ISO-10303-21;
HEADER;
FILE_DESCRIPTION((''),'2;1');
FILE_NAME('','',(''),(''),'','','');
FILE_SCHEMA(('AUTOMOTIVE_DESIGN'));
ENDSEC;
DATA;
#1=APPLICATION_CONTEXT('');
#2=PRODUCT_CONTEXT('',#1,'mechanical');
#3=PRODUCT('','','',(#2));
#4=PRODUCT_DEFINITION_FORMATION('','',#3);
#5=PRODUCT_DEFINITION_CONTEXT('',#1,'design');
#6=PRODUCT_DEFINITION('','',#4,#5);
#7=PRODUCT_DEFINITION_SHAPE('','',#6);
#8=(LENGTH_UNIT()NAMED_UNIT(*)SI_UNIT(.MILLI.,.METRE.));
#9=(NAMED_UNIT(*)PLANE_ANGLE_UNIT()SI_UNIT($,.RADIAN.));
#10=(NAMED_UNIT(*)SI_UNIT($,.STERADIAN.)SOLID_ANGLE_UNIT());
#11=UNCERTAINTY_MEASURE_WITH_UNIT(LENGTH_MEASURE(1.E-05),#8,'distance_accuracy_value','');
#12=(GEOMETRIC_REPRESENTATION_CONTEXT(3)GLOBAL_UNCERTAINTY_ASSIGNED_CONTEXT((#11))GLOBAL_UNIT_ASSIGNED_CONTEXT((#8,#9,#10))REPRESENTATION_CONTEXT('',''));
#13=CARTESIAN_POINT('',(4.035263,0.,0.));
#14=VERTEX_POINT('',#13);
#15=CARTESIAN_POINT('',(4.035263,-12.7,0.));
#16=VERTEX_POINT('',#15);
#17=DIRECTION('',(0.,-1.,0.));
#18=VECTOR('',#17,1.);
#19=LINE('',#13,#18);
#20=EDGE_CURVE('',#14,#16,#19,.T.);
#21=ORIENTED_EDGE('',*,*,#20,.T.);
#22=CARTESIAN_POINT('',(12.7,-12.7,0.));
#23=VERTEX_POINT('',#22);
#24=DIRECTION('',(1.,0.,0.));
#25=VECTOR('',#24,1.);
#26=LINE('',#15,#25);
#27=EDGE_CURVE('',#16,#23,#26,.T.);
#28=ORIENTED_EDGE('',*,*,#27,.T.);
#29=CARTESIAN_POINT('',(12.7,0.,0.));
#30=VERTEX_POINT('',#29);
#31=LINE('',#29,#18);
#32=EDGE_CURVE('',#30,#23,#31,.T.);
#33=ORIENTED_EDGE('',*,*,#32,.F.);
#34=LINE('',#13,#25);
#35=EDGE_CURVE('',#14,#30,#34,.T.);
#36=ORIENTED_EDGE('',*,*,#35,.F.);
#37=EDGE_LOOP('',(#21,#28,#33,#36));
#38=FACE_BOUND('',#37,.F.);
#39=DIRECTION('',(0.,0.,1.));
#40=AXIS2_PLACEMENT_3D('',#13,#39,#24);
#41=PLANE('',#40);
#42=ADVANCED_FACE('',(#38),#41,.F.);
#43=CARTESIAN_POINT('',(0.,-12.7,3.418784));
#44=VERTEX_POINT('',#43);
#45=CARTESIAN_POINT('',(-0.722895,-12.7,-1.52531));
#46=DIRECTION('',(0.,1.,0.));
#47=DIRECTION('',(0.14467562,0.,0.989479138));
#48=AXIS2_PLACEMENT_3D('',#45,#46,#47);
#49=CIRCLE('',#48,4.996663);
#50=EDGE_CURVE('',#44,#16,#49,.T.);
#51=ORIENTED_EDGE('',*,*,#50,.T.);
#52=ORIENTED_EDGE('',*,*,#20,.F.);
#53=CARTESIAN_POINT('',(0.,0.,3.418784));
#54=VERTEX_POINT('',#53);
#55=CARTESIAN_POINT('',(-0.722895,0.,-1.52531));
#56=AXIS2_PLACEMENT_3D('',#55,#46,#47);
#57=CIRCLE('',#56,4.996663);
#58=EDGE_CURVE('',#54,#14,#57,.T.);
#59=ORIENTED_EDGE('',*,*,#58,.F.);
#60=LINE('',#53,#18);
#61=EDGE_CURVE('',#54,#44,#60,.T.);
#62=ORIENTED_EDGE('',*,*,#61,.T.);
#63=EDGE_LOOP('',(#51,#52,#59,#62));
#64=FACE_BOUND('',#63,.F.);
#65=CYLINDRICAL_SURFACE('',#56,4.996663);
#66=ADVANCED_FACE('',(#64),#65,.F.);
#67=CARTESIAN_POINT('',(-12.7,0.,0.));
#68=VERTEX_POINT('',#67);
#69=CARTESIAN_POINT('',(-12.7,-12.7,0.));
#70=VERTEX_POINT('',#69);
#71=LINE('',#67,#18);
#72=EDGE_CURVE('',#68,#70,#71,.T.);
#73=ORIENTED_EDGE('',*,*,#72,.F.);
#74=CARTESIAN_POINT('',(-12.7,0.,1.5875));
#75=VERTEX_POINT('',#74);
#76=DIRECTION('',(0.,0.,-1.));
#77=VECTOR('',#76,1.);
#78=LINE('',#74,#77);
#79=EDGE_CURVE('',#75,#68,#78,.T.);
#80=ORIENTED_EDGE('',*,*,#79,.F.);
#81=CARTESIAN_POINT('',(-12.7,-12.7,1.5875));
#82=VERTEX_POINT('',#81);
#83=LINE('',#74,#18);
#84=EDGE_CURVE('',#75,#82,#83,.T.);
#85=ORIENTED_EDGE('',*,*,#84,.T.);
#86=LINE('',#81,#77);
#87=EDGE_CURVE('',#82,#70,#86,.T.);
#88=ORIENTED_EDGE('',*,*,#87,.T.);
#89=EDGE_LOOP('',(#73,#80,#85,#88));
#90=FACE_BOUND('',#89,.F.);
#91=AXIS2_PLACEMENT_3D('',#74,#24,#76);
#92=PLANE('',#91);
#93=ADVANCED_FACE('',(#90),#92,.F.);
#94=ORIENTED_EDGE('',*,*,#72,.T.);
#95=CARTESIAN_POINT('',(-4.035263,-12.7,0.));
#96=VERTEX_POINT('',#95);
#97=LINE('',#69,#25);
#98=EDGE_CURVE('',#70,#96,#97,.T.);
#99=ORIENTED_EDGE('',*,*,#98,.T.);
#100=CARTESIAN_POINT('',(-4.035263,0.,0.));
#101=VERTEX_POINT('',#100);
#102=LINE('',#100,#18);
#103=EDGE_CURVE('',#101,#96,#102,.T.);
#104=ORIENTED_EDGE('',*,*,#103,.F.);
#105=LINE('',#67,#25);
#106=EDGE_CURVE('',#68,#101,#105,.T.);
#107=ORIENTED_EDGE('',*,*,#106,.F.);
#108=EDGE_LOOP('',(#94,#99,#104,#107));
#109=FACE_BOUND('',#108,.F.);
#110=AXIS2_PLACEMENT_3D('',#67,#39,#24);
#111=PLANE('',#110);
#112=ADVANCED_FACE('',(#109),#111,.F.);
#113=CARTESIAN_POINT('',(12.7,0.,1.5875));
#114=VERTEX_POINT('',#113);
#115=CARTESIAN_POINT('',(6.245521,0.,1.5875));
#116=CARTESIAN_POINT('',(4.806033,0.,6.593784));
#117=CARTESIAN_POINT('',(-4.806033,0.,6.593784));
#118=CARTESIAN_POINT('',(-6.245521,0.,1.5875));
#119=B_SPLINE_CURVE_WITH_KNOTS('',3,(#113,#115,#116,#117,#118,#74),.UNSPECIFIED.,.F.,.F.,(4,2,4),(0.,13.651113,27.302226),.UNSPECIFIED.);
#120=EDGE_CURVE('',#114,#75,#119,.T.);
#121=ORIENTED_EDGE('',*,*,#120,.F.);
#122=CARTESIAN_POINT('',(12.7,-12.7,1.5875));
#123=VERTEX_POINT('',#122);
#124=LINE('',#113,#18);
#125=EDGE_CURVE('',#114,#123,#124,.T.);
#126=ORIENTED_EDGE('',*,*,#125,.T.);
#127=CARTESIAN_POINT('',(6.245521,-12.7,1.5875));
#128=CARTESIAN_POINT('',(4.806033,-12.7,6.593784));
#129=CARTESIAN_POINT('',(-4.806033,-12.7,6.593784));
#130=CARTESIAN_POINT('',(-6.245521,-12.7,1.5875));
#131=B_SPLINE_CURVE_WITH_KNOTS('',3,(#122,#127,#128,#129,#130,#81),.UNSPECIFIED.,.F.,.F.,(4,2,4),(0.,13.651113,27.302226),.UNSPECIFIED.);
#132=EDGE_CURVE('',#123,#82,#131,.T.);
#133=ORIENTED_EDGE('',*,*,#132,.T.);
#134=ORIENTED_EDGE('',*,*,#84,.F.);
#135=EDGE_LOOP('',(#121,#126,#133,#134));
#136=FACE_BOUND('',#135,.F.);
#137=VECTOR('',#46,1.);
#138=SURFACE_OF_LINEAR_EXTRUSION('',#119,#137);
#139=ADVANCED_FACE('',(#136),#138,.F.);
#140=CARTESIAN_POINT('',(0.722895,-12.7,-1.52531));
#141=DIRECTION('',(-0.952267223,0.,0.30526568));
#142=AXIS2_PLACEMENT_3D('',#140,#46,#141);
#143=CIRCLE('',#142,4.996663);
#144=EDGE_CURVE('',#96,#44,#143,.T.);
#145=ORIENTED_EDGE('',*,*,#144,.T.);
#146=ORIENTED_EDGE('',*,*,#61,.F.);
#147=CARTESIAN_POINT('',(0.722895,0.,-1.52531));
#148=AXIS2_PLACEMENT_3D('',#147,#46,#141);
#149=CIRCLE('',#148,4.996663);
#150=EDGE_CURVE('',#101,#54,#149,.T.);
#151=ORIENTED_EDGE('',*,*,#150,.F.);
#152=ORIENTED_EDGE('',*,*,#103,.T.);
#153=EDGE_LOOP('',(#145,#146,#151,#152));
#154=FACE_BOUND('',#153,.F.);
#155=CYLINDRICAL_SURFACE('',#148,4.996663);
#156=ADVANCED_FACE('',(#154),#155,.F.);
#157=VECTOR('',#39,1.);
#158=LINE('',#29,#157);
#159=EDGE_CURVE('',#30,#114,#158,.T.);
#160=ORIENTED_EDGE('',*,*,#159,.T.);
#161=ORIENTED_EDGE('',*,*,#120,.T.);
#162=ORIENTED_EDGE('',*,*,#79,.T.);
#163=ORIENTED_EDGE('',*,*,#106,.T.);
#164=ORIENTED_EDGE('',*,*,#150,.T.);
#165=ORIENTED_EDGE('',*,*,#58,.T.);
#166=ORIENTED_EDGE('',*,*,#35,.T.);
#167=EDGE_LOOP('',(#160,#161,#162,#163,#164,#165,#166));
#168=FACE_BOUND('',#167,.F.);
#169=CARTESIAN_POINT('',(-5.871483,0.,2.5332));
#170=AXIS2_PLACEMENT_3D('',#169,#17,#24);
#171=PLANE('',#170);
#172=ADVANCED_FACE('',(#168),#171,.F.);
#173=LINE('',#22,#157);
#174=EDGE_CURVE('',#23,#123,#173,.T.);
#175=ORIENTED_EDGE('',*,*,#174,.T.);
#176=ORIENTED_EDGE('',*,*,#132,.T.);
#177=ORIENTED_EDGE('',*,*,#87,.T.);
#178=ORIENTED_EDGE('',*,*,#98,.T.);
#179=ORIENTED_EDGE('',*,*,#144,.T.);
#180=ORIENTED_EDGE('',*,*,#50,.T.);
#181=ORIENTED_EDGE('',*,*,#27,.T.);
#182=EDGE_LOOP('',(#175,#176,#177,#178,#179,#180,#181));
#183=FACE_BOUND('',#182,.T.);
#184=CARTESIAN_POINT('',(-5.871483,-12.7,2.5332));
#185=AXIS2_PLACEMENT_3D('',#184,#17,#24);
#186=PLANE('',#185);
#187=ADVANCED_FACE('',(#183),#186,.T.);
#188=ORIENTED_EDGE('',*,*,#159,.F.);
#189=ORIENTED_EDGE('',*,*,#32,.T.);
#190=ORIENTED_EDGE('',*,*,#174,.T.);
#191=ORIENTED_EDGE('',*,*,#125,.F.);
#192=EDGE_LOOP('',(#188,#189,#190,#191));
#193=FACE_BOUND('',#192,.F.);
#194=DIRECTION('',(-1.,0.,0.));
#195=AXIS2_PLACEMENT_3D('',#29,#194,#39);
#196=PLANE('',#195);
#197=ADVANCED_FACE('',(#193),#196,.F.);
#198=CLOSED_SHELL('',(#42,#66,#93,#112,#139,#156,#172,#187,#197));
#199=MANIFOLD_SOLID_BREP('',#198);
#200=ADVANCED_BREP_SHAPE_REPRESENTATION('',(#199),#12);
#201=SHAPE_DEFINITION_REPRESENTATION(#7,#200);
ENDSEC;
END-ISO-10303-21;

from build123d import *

# Parameters (mm, degrees)
F1_DEPTH = 12.7


with BuildPart() as f1:
    # F0 (on Front) → F1 (new body)
    with BuildSketch(Plane.XZ):
        with BuildLine():
            Line((-12.7, 1.5875), (-12.7, 0))
            Line((-12.7, 0), (-4.035263, 0))
            ThreePointArc((-4.035263, 0), (-2.507044, 2.287056), (0, 3.418784))
            Line((0, 3.418784), (0, 6.593784))
            add(Edge.make_bspline(
                [(-12.7, 1.5875), (-6.245521, 1.5875), (-4.806033, 6.593784), (0, 6.593784)],
                knots=[0, 0, 0, 0, 13.651113, 13.651113, 13.651113, 13.651113], degree=3))
        make_face()
        with BuildLine():
            Line((0, 6.593784), (0, 3.418784))
            ThreePointArc((0, 3.418784), (2.507044, 2.287056), (4.035263, 0))
            Line((4.035263, 0), (12.7, 0))
            Line((12.7, 0), (12.7, 1.5875))
            add(Edge.make_bspline(
                [(12.7, 1.5875), (6.245521, 1.5875), (4.806033, 6.593784), (0, 6.593784)],
                knots=[0, 0, 0, 0, 13.651113, 13.651113, 13.651113, 13.651113], degree=3))
        make_face()
    extrude(amount=F1_DEPTH)


solid = f1.part
